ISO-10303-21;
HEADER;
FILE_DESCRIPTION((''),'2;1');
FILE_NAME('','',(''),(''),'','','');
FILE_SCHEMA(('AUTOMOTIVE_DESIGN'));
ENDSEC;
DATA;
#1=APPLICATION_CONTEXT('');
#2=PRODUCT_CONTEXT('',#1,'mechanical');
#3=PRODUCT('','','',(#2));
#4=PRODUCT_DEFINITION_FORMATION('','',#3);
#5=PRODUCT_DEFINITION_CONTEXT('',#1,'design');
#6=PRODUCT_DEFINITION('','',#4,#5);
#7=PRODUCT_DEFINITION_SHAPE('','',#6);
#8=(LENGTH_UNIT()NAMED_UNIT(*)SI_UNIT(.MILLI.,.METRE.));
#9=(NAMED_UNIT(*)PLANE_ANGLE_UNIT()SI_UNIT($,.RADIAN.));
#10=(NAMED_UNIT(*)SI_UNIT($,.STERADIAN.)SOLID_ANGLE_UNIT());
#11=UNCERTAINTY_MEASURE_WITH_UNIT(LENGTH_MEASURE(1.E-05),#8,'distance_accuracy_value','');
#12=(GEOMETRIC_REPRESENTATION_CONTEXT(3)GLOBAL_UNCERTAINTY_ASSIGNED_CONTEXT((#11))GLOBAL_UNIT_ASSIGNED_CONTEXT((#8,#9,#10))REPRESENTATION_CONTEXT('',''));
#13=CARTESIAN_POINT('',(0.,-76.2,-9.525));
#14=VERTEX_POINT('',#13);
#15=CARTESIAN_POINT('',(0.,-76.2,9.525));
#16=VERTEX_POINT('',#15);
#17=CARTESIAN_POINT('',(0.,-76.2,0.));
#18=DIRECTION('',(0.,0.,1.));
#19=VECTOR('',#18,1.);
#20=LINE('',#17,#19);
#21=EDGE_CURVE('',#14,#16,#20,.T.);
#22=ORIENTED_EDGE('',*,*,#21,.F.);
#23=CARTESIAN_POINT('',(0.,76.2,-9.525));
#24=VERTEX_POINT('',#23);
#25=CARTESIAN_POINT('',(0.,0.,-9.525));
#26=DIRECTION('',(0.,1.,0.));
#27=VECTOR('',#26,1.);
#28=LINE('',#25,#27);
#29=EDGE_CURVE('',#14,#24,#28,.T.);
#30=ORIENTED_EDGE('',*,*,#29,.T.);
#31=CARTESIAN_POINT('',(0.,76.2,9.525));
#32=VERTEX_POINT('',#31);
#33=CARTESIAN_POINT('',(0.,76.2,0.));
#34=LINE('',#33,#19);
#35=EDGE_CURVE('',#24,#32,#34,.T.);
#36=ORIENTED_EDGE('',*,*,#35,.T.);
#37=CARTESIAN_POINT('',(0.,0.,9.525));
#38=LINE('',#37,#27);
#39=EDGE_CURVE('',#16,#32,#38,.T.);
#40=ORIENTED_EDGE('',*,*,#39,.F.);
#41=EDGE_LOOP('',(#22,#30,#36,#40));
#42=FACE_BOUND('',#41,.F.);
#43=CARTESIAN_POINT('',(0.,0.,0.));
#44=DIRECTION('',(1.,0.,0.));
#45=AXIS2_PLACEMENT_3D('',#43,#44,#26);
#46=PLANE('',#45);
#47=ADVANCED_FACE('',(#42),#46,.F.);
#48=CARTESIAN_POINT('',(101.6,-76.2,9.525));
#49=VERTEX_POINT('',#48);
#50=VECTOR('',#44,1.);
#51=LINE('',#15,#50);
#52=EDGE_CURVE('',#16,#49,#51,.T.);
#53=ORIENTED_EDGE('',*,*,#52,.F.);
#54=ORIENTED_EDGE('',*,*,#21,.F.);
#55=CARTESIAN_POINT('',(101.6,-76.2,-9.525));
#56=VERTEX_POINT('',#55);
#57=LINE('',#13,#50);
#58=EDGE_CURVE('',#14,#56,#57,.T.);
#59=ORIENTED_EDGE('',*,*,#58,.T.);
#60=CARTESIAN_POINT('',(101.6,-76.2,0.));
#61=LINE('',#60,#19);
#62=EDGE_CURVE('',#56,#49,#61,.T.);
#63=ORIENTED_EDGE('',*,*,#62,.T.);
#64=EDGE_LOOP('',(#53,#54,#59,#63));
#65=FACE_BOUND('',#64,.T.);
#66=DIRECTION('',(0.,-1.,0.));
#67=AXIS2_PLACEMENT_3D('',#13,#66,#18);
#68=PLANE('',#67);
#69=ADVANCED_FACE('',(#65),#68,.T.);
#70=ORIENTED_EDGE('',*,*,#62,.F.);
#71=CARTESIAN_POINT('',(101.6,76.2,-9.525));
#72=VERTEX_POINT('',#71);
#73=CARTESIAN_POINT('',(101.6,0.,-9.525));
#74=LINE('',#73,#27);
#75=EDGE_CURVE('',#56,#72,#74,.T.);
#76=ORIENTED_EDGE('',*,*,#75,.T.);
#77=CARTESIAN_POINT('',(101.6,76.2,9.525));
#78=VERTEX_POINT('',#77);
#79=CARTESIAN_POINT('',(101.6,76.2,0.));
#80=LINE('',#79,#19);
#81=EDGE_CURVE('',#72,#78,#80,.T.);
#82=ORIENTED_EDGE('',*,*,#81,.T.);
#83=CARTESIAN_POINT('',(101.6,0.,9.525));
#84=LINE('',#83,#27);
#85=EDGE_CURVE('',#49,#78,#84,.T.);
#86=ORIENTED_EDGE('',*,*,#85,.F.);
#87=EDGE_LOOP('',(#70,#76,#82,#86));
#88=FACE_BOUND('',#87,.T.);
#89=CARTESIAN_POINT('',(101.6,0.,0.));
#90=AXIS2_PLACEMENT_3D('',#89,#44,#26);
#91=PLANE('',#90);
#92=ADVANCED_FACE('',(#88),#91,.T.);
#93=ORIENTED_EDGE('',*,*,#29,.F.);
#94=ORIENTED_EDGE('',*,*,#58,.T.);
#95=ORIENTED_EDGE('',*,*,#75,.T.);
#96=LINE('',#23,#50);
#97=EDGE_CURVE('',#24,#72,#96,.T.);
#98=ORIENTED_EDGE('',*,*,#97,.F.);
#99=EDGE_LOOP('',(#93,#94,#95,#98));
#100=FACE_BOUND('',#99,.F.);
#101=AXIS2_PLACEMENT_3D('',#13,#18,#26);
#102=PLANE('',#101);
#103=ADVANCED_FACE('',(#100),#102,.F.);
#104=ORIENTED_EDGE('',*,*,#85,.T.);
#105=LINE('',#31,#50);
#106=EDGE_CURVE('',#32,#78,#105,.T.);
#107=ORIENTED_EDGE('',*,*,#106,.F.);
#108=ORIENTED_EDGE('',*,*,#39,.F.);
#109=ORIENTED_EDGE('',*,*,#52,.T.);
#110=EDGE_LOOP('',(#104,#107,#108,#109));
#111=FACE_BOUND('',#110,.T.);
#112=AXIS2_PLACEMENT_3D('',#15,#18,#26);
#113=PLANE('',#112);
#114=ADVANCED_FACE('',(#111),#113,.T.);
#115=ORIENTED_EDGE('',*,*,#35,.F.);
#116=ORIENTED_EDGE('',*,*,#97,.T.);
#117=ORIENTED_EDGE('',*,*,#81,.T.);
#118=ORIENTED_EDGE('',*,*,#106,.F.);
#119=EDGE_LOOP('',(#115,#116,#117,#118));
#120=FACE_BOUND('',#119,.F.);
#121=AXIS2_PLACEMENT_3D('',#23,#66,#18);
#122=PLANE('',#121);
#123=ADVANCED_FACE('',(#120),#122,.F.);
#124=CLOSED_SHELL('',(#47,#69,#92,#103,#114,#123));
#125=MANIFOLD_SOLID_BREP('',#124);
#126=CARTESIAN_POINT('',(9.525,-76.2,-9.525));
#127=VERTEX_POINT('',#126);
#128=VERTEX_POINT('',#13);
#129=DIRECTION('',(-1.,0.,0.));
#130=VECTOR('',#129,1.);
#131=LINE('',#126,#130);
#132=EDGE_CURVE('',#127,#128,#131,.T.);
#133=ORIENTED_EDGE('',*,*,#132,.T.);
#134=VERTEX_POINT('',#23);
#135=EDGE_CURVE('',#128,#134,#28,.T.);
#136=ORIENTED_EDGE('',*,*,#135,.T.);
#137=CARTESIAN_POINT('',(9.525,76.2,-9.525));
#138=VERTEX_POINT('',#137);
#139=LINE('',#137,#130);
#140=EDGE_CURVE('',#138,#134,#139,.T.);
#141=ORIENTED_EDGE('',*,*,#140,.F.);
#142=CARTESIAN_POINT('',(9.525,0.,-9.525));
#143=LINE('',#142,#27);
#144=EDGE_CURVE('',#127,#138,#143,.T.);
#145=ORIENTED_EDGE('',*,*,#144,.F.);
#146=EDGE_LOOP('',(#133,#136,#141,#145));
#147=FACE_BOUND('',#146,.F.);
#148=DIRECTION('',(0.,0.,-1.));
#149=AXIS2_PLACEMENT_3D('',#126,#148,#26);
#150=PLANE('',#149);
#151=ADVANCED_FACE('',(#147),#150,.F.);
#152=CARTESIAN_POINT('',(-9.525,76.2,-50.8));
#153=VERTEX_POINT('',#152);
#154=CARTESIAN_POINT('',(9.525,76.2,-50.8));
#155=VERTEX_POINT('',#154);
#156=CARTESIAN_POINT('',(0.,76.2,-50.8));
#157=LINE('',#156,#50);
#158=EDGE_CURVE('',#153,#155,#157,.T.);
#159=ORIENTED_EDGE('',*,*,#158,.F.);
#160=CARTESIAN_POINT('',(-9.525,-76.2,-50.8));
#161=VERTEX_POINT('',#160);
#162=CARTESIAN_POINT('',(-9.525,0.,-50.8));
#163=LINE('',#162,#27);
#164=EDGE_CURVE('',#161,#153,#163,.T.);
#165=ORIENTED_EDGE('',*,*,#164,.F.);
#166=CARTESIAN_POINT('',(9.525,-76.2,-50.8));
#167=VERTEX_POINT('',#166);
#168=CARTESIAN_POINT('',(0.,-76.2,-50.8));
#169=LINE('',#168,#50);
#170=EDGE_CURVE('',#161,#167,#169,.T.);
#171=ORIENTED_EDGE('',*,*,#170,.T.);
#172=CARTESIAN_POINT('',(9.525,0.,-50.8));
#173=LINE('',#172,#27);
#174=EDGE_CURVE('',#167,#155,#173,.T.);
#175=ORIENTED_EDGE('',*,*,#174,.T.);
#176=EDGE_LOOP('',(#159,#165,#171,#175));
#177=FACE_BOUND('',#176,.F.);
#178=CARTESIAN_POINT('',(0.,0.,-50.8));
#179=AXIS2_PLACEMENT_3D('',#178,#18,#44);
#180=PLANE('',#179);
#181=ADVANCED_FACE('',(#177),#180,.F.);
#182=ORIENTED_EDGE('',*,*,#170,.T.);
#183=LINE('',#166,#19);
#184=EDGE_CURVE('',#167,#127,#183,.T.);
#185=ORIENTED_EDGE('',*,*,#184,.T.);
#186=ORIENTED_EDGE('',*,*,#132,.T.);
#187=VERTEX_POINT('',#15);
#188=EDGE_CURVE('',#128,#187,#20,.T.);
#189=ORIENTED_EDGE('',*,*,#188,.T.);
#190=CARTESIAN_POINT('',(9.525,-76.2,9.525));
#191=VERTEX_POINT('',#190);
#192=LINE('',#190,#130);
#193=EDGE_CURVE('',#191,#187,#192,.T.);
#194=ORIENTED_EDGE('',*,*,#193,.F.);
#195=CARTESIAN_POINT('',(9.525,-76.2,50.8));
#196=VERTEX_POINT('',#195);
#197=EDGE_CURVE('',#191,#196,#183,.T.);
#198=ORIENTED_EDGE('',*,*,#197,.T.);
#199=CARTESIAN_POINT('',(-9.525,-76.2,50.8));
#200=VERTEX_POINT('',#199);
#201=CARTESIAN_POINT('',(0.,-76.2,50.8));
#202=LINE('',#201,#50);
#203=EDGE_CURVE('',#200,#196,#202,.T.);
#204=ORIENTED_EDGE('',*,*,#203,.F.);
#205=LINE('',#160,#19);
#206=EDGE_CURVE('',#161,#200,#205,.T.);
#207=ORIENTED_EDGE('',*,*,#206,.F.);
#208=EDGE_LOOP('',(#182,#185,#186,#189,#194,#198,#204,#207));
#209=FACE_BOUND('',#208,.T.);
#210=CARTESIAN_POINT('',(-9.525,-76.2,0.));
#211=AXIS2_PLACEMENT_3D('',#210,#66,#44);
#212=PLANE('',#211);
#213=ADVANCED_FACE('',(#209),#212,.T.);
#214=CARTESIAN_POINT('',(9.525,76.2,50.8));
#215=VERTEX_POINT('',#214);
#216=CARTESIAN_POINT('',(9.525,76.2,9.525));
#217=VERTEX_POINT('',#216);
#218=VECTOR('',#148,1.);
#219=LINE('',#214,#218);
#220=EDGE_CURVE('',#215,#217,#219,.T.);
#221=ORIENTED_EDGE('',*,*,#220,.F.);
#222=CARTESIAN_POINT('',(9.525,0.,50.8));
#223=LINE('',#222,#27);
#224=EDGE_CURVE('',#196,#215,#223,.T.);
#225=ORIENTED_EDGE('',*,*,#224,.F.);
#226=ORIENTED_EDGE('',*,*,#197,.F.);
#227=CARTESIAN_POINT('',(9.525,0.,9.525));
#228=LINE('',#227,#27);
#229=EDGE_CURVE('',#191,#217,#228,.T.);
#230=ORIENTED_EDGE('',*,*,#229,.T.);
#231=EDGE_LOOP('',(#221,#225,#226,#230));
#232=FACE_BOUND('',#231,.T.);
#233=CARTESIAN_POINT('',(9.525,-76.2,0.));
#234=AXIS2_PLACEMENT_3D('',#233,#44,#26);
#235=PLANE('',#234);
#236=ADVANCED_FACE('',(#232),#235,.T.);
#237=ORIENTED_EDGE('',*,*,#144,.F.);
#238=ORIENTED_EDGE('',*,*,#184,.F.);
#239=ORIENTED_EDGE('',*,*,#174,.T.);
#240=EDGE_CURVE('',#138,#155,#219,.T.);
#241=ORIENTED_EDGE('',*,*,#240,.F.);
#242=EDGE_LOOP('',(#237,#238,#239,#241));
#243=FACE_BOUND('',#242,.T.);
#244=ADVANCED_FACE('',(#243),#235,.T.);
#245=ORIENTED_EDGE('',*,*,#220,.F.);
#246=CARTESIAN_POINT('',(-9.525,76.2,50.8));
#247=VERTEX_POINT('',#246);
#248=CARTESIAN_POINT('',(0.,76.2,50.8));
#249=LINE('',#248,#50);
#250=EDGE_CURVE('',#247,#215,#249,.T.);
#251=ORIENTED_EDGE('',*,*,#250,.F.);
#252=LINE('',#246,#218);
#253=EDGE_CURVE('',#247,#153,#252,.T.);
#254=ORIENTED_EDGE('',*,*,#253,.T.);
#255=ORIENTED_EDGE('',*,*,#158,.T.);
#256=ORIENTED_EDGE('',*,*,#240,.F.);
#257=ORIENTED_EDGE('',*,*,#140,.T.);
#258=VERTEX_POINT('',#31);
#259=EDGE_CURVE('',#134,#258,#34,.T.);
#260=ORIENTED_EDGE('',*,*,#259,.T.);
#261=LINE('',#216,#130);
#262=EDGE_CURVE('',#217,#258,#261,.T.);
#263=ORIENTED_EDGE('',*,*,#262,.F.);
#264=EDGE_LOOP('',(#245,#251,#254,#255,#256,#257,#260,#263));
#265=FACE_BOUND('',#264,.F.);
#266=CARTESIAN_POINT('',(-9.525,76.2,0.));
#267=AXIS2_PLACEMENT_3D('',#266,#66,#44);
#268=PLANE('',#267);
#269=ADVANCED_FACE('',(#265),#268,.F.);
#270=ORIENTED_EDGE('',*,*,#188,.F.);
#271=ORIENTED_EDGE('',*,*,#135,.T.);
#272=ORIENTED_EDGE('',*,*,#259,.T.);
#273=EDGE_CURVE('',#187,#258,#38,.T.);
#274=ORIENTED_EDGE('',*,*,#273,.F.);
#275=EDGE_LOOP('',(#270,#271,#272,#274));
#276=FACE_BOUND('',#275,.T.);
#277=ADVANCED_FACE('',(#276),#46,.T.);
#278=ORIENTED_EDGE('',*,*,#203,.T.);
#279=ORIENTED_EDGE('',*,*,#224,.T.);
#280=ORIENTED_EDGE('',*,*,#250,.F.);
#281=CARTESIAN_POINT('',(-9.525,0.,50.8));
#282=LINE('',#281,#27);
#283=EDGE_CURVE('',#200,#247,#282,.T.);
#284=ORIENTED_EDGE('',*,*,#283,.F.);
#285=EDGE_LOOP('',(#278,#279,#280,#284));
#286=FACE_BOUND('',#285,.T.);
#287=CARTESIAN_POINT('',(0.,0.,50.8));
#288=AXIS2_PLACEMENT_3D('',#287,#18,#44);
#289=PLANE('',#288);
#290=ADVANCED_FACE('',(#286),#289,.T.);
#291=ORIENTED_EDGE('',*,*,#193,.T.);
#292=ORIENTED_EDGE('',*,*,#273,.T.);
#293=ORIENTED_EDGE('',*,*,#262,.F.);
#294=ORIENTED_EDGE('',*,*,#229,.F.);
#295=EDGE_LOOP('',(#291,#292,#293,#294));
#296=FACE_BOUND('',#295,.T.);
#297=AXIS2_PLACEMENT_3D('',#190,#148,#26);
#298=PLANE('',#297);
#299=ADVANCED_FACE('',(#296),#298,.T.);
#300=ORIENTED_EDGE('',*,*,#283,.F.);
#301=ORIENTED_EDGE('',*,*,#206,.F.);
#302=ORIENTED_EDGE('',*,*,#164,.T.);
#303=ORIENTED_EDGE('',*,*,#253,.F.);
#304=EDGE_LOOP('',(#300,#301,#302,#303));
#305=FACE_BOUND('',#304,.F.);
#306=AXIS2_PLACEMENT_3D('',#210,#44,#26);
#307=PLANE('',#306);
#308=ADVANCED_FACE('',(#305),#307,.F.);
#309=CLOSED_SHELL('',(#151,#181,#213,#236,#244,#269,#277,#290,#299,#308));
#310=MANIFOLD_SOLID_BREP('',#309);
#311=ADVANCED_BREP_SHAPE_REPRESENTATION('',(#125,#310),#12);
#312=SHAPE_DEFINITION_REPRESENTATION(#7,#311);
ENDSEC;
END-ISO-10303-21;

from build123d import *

# Parameters (mm, degrees)
F0_W      = 19.05
F0_H      = 152.4
F1_DEPTH  = 50.8
F2_W      = 152.4
F2_H      = 19.05
F3_DEPTH  = 9.525
F3_FACE_W = 152.4
F3_FACE_H = 19.05
F4_DEPTH  = 101.6


with BuildPart() as f1:
    # F0 (on Top) → F1 (new body, symmetric)
    with BuildSketch(Plane.XY):
        Rectangle(F0_W, F0_H)
    extrude(amount=F1_DEPTH, both=True)

    # F2 (on face) → F3 (cut)
    with BuildSketch(Plane.YZ.offset(9.525)):
        Rectangle(F2_W, F2_H)
    extrude(amount=-F3_DEPTH, mode=Mode.SUBTRACT)


with BuildPart() as f4:
    # F3_face (on face) → F4 (new body)
    with BuildSketch(Plane.YZ):
        Rectangle(F3_FACE_W, F3_FACE_H)
    extrude(amount=F4_DEPTH)


solid = Compound([f1.part, f4.part])
